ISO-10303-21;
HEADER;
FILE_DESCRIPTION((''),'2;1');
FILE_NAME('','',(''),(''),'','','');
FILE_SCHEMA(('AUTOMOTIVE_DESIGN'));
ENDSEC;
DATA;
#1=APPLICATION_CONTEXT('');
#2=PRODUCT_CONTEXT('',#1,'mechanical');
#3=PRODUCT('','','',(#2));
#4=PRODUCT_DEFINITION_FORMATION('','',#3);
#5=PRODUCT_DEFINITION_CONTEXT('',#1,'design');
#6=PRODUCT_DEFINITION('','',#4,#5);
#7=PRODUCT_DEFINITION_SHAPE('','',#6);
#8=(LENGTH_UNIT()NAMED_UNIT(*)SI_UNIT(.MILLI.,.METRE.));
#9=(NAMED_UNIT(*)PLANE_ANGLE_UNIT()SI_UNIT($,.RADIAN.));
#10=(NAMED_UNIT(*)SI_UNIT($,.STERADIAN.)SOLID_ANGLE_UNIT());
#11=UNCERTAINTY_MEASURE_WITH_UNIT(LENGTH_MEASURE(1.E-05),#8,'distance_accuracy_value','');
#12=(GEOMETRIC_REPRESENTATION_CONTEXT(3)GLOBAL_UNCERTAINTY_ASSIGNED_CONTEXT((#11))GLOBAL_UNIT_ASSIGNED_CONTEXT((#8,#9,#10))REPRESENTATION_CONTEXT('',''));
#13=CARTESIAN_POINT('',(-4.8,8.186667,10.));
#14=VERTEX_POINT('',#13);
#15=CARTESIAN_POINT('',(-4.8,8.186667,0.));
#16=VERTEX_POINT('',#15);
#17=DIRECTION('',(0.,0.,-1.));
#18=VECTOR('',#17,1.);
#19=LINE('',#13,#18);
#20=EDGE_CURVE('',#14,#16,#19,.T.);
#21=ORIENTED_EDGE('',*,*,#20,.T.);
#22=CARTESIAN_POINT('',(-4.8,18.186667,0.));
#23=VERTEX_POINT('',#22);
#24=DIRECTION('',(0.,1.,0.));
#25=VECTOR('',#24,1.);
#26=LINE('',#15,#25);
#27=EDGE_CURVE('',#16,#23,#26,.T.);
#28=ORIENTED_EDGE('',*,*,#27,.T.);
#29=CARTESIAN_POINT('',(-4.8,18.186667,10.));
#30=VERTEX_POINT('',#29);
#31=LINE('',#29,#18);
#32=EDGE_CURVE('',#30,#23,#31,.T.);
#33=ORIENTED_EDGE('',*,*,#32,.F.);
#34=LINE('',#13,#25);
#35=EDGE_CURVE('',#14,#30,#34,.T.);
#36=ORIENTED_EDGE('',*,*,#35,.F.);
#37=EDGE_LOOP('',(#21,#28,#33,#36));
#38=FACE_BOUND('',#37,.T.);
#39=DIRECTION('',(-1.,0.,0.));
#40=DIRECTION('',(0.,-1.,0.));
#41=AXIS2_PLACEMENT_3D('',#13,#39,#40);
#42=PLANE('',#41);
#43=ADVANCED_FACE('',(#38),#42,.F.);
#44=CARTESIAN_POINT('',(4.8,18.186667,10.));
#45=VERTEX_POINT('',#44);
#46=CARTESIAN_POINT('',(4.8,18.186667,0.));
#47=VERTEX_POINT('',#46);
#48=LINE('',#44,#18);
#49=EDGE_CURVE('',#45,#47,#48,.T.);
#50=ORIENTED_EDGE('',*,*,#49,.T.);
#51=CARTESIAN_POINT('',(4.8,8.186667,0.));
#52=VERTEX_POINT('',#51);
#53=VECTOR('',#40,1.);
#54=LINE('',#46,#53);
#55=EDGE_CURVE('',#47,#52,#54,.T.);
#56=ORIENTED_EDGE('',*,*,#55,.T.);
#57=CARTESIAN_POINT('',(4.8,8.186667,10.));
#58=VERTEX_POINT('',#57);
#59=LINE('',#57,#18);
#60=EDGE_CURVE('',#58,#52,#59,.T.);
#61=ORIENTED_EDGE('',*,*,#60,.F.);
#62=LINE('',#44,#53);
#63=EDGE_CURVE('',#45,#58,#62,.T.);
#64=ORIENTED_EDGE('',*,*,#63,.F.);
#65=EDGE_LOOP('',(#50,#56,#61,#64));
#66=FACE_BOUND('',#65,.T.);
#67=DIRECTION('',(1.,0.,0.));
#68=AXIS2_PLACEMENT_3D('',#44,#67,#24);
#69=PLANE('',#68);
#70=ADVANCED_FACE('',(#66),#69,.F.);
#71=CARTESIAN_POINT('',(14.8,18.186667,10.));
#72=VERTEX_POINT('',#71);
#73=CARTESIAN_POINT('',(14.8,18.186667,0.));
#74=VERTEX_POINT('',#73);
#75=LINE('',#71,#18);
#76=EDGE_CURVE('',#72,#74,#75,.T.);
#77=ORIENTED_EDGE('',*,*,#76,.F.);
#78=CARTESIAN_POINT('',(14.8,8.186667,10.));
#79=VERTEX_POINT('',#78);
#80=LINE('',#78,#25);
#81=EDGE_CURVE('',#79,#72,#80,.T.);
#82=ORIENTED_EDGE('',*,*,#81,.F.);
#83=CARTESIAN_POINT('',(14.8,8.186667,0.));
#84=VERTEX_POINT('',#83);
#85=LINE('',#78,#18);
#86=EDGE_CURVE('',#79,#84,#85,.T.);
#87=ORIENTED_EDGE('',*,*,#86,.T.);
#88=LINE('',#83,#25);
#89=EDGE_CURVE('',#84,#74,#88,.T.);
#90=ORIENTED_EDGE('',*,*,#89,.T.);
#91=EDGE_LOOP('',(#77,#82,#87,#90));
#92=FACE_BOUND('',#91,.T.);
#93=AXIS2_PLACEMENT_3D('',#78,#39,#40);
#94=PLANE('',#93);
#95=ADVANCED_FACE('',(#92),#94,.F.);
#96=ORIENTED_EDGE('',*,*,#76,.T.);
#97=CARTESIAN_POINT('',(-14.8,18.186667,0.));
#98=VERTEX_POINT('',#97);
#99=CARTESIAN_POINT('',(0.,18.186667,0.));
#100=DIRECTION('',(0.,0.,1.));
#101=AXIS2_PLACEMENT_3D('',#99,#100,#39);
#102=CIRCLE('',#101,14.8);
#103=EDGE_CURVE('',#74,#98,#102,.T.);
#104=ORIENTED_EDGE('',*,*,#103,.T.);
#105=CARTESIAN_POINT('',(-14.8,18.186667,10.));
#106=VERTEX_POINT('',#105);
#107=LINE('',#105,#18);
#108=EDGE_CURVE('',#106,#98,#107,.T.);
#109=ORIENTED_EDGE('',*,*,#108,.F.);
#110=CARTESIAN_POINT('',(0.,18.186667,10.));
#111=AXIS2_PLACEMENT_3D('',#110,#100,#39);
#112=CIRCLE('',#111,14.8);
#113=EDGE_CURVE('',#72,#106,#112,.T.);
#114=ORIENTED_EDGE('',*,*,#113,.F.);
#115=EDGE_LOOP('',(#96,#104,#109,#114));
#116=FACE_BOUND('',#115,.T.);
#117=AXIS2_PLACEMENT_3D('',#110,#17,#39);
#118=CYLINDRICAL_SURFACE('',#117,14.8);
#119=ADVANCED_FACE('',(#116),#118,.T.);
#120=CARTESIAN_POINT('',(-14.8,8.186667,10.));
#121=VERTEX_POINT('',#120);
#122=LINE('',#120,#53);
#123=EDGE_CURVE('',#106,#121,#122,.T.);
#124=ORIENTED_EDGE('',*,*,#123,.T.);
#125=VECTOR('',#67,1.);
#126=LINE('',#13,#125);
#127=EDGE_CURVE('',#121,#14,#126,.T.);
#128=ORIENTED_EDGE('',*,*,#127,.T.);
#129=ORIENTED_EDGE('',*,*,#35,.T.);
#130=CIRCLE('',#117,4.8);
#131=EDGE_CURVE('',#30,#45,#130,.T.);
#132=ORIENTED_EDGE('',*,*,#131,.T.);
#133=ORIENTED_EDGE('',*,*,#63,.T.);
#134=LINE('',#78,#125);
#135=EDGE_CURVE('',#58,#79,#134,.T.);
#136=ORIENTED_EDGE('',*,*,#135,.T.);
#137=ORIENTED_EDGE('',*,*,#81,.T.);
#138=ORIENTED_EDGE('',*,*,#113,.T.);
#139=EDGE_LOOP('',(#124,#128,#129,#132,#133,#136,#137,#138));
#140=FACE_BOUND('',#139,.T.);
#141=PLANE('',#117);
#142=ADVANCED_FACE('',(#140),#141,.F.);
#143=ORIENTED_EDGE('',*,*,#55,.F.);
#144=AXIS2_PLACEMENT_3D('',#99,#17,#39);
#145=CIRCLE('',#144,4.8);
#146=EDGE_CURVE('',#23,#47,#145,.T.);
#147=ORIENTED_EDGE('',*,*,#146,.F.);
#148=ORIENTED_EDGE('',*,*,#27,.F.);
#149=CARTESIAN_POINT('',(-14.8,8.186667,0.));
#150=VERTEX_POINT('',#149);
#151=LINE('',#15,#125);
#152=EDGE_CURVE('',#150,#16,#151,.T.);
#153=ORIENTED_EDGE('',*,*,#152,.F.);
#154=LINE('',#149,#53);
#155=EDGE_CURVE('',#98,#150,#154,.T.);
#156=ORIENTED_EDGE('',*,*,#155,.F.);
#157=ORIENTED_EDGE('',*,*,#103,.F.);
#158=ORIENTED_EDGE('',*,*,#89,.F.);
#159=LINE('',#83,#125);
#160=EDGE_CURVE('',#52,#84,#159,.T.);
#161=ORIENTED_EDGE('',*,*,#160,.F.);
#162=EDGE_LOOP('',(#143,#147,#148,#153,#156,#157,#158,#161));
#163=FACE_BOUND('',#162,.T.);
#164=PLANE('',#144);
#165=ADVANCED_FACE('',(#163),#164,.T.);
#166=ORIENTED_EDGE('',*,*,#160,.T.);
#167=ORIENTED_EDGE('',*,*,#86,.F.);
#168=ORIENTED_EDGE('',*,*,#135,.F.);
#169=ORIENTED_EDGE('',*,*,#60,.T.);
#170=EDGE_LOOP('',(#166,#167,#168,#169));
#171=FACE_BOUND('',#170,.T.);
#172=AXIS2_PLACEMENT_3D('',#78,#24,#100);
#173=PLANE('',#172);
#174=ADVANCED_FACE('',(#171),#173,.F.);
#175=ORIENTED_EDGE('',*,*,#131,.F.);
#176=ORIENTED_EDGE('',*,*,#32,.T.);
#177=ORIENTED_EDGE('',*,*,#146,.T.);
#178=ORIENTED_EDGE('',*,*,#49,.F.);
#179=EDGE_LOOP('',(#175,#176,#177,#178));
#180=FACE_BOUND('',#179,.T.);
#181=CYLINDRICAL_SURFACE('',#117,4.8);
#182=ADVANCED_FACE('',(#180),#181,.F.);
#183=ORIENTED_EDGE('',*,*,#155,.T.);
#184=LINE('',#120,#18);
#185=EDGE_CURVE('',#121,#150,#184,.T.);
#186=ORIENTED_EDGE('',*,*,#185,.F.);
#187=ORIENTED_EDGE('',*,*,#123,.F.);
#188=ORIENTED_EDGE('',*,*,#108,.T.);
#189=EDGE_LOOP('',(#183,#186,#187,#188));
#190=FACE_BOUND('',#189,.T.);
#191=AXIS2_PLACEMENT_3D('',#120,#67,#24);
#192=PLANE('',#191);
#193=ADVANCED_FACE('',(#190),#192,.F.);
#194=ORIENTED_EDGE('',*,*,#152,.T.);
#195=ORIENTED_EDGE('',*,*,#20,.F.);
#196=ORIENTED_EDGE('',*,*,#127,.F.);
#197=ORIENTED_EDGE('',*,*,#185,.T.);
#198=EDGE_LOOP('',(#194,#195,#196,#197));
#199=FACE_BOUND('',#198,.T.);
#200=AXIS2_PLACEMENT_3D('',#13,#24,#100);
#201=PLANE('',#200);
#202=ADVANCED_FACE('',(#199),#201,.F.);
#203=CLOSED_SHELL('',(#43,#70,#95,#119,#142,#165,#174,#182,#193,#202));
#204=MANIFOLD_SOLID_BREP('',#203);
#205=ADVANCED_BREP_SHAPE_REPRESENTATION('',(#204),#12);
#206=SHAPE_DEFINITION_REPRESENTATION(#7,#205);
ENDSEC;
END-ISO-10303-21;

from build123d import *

# Parameters (mm, degrees)
BOSS_EXTRUDE1_DEPTH = 10


with BuildPart() as part:
    # Sketch1 → Boss-Extrude1 (new body)
    with BuildSketch(Plane.XY):
        with BuildLine():
            Line((-4.8, 8.186666667), (-4.8, 18.186666667))
            ThreePointArc((-4.8, 18.186666667), (0, 22.986666667), (4.8, 18.186666667))
            Line((4.8, 18.186666667), (4.8, 8.186666667))
            Line((4.8, 8.186666667), (14.8, 8.186666667))
            Line((14.8, 8.186666667), (14.8, 18.186666667))
            ThreePointArc((14.8, 18.186666667), (0, 32.986666667), (-14.8, 18.186666667))
            Line((-14.8, 18.186666667), (-14.8, 8.186666667))
            Line((-14.8, 8.186666667), (-4.8, 8.186666667))
        make_face()
    extrude(amount=BOSS_EXTRUDE1_DEPTH)


solid = part.part
